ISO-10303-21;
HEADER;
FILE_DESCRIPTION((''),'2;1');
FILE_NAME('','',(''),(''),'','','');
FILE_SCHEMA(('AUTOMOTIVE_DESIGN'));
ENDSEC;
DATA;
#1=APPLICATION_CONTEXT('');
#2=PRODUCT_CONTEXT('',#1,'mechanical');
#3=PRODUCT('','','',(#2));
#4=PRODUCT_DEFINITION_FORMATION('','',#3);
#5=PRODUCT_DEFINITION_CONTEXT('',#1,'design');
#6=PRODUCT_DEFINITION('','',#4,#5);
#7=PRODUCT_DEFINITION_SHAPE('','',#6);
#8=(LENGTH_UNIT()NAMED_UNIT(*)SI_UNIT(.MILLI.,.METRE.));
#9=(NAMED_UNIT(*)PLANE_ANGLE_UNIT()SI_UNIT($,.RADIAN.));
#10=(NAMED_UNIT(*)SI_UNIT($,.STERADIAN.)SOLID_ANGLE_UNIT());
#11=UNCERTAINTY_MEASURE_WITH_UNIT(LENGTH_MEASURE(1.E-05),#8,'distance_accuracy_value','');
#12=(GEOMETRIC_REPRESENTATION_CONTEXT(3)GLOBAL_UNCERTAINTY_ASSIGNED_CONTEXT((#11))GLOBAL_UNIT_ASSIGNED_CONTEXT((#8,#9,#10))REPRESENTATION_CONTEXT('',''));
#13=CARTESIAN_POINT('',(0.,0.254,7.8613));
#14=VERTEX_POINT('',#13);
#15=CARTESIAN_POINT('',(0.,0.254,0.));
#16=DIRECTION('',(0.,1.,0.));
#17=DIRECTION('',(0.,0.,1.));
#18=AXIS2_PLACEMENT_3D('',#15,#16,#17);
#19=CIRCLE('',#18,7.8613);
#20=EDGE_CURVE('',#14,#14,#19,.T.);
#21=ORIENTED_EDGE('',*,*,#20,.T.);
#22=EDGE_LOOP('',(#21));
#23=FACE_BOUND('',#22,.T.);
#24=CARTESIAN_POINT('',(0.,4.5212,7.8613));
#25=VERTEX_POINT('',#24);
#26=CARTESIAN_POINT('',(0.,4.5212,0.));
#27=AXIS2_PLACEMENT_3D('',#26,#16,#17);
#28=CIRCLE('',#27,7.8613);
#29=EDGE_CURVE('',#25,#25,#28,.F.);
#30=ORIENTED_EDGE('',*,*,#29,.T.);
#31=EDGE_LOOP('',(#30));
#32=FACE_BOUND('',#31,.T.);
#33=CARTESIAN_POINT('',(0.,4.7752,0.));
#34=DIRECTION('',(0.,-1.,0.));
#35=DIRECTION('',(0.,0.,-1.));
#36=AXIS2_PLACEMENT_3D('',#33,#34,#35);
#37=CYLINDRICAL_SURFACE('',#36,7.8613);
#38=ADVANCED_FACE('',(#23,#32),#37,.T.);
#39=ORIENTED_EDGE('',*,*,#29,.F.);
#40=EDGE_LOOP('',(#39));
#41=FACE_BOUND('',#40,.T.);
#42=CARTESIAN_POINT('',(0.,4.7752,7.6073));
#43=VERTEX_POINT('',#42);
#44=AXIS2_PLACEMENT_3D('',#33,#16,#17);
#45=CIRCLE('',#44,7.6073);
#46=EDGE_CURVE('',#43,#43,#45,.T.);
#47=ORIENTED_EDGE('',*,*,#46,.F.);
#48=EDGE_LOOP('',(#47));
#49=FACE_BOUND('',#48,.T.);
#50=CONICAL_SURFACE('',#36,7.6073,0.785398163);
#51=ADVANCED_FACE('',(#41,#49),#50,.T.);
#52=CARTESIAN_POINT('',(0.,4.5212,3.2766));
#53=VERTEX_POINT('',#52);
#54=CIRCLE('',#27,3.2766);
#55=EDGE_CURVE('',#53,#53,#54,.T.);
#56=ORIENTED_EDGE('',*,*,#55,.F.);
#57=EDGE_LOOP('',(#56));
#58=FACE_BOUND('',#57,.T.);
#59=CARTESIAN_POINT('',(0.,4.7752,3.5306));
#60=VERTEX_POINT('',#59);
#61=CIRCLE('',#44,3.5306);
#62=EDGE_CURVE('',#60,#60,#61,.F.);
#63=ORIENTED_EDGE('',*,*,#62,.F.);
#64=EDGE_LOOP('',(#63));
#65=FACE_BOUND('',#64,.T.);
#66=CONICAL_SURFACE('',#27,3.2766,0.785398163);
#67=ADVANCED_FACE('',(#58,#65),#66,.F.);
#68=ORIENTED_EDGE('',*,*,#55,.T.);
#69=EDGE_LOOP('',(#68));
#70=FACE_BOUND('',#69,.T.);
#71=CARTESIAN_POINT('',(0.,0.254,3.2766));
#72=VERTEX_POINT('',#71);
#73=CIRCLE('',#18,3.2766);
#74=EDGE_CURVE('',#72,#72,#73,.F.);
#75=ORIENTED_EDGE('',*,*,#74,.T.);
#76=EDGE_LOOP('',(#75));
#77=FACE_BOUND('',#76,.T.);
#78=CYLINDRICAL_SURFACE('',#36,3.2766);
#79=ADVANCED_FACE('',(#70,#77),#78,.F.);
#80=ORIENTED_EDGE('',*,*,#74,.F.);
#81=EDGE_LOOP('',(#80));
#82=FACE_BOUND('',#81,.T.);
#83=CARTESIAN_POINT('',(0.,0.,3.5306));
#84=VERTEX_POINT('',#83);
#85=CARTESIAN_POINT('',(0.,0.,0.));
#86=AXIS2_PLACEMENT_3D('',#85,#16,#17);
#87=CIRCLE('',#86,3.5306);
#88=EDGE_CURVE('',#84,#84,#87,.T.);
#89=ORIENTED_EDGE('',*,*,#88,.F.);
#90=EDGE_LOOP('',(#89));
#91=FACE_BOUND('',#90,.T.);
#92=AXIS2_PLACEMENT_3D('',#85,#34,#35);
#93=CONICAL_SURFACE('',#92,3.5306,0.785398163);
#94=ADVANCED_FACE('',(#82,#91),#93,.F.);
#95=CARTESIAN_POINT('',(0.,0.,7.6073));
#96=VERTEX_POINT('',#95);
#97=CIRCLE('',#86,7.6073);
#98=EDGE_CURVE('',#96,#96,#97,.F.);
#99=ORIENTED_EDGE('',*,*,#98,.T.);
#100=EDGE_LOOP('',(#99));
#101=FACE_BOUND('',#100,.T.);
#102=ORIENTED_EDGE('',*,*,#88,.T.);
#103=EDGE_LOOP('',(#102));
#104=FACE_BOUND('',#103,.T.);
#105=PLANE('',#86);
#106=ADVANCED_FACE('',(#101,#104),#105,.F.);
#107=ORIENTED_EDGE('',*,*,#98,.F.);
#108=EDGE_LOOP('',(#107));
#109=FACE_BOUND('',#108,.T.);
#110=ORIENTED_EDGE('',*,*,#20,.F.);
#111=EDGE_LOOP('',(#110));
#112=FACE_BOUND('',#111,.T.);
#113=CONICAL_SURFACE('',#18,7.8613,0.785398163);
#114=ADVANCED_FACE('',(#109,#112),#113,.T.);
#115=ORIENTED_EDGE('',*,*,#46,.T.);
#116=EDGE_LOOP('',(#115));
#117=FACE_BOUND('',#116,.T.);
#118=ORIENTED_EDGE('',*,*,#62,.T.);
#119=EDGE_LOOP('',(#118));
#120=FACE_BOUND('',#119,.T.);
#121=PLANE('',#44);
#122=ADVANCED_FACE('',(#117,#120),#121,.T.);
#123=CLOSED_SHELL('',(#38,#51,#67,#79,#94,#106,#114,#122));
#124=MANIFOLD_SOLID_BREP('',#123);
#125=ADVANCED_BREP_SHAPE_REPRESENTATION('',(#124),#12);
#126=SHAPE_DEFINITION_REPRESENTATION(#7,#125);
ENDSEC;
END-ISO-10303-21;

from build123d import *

# Parameters (mm, degrees)
SKETCH1_R           = 7.8613
SKETCH1_R_2         = 3.2766
BOSS_EXTRUDE1_DEPTH = 4.7752
CHAMFER1_SIZE       = 0.254


with BuildPart() as part:
    # Sketch1 → Boss-Extrude1 (new body)
    with BuildSketch(Plane(origin=(0, 0, 0), x_dir=(1, 0, 0), z_dir=(0, 1, 0))):
        with Locations(Location((0, 0, 0), (0, 0, 270))):
            Circle(SKETCH1_R)
        with Locations(Location((0, 0, 0), (0, 0, 270))):
            Circle(SKETCH1_R_2, mode=Mode.SUBTRACT)
    extrude(amount=BOSS_EXTRUDE1_DEPTH)

    # Chamfer1
    chamfer1_edges = [part.edges().sort_by_distance(p)[0] for p in [
        (0, 0, -7.8613),
        (0, 4.7752, -7.8613),
        (0, 0, -3.2766),
        (0, 4.7752, -3.2766),
    ]]
    chamfer(chamfer1_edges, length=CHAMFER1_SIZE)


solid = part.part
